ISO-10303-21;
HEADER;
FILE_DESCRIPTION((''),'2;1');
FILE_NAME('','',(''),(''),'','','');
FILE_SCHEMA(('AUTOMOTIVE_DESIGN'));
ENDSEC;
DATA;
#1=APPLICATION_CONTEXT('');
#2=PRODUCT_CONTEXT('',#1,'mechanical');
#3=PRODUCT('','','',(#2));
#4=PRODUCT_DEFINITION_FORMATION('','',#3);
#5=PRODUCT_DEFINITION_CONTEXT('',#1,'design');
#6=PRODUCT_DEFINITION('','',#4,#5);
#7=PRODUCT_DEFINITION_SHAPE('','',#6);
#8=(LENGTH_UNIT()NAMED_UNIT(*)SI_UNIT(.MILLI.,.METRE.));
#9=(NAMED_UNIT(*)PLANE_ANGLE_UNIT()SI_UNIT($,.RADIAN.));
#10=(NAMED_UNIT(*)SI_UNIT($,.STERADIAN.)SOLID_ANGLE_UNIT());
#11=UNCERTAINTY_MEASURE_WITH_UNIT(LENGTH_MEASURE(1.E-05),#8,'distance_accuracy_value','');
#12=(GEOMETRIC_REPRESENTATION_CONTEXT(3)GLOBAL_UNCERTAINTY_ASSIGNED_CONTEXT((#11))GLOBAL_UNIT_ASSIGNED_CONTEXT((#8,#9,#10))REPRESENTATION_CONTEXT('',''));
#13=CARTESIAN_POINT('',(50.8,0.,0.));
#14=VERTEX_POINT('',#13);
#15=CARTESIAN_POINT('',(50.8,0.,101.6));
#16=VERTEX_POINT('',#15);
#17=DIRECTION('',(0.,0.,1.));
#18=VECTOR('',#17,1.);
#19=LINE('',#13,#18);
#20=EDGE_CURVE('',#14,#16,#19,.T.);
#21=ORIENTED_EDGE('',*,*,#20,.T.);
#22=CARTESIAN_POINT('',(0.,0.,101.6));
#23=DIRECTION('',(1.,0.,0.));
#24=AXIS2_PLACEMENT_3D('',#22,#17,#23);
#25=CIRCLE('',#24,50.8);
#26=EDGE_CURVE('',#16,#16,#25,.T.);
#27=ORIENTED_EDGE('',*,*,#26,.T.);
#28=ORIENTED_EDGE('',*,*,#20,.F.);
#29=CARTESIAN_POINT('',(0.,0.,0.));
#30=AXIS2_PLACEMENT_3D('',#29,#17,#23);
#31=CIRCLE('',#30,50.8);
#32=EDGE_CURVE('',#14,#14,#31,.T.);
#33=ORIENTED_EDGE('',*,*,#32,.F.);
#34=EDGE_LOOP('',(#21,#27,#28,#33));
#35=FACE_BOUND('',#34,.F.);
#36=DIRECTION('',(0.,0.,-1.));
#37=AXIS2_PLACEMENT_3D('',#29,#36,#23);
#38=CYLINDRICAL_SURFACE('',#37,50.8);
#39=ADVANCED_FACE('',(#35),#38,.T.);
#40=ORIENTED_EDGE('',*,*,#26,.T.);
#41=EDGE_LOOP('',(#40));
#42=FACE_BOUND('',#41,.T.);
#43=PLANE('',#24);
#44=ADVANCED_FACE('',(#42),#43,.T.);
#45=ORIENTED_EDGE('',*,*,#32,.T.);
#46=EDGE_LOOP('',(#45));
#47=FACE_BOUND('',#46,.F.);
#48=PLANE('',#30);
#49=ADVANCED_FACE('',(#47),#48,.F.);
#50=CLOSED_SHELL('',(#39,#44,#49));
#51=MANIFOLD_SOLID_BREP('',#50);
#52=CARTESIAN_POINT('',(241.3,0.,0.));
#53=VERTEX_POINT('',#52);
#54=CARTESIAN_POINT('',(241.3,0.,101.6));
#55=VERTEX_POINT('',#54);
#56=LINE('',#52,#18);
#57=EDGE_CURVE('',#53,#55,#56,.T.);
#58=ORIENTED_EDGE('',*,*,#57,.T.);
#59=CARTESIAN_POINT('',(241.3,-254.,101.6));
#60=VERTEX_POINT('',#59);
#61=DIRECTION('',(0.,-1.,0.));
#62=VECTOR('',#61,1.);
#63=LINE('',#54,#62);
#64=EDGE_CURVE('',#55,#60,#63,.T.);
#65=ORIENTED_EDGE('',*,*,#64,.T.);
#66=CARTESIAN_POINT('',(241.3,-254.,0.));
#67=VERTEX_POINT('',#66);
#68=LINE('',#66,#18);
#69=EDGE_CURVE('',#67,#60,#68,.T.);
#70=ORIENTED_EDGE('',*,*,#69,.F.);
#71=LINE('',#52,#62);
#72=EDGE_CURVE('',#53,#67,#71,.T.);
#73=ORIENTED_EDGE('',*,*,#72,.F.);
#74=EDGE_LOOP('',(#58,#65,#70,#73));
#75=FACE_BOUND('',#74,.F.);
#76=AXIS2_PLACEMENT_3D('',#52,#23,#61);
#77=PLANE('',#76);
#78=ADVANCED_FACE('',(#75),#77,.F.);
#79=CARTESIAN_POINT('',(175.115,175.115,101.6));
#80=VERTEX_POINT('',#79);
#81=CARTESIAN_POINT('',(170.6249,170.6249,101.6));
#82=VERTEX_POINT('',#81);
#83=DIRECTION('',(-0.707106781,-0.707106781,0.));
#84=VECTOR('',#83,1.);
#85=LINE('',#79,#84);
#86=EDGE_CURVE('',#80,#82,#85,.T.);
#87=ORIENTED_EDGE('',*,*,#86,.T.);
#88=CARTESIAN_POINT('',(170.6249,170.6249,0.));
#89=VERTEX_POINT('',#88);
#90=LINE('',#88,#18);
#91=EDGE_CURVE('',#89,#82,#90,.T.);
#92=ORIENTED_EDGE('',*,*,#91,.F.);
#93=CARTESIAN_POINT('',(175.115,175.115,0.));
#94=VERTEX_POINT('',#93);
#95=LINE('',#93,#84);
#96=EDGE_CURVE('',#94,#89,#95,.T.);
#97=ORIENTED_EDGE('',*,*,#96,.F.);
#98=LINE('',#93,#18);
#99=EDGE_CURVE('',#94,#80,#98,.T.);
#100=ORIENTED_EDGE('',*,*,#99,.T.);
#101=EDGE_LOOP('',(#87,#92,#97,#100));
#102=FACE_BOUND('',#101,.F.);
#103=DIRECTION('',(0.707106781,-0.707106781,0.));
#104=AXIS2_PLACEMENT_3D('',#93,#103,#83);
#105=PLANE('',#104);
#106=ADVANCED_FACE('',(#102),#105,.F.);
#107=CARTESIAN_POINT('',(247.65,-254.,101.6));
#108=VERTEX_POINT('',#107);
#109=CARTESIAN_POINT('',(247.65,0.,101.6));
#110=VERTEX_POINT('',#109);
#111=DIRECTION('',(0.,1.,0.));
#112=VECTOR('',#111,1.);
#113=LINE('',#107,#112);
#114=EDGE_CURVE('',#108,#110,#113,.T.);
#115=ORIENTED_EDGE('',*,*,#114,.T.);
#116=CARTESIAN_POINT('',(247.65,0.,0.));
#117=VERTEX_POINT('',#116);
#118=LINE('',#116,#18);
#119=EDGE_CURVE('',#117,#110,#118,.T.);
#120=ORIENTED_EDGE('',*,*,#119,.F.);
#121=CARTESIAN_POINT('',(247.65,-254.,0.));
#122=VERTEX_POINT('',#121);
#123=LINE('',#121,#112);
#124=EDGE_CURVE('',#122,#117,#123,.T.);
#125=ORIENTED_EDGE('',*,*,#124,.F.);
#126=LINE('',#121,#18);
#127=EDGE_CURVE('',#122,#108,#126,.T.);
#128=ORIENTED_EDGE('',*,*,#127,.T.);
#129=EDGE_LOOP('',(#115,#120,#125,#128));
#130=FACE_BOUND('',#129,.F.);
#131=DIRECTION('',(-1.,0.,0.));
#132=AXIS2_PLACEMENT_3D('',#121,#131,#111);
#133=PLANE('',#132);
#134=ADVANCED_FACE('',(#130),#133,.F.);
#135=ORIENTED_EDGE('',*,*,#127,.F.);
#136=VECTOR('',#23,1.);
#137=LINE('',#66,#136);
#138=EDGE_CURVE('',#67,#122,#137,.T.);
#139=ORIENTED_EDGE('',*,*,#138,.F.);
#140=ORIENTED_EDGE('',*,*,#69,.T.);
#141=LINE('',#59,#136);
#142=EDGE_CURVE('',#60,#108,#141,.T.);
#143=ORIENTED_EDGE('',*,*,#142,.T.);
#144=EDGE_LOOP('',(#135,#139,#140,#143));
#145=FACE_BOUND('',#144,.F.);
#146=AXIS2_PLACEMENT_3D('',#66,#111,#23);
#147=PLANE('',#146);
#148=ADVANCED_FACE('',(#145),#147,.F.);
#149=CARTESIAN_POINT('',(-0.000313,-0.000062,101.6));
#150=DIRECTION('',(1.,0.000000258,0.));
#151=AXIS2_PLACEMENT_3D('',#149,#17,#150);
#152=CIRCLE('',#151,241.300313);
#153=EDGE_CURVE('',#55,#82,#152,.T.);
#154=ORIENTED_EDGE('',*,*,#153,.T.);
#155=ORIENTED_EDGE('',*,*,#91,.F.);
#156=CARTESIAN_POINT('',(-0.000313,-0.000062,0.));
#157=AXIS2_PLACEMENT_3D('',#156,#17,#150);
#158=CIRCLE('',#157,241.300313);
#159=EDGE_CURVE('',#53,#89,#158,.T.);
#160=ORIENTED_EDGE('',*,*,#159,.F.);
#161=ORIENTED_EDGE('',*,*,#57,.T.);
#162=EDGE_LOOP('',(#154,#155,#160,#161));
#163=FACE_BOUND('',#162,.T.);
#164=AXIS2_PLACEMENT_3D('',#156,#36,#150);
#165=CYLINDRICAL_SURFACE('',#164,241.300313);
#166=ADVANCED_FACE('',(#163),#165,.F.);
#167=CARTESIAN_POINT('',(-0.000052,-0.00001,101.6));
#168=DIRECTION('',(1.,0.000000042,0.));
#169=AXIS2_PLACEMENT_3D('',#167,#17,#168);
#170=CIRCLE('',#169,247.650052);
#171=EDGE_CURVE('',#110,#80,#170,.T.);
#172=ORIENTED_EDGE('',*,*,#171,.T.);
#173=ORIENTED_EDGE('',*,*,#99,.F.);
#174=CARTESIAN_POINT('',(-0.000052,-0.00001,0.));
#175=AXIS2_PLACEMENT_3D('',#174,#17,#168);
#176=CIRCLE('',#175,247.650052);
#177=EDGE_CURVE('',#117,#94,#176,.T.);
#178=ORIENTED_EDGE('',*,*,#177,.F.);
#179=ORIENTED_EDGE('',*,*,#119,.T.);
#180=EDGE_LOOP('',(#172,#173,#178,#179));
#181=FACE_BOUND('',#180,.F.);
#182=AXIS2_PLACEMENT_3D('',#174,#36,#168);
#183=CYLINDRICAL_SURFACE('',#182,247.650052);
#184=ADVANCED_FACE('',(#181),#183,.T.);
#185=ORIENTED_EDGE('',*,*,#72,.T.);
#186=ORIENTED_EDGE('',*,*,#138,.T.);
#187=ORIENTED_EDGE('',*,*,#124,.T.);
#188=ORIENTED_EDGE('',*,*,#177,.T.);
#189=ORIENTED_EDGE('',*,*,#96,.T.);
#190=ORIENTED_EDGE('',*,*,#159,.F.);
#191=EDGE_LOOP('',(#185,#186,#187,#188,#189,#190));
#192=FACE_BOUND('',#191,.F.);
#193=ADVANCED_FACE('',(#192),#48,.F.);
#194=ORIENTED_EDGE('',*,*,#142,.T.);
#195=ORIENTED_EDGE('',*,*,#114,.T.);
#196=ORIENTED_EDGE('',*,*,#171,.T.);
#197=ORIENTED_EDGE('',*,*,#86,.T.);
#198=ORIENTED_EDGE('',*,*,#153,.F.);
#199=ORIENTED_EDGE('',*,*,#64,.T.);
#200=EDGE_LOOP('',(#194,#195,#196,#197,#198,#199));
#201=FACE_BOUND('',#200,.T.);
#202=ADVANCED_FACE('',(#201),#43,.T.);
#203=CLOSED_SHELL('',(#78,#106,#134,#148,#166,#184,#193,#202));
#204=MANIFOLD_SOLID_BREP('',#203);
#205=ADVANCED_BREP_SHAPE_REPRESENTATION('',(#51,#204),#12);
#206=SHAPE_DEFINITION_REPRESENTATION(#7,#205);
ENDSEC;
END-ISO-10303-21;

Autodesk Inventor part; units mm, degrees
ref_plane "YZ Plane" through (0, 0, 0) normal (1, 0, 0) x (0, 1, 0)
ref_plane "XZ Plane" through (0, 0, 0) normal (0, 1, 0) x (-1, 0, 0)
ref_plane "XY Plane" through (0, 0, 0) normal (0, 0, 1) x (1, 0, 0)
sketch "Sketch1" plane through (0, 0, 0) normal (0, 0, 1) x (1, 0, 0)
  arc A0 (241.3, 0) -> (170.6249, 170.6249) centre (0, 0) ccw
  arc A1 (247.65, 0) -> (175.115, 175.115) centre (0, 0) ccw
  line L0 (175.115, 175.115) -> (170.6249, 170.6249)
  line L1 (170.6249, 170.6249) -> (0, 0) construction
  circle A2 centre (0, 0) radius 50.8
  line L2 (241.3, 0) -> (241.3, -254)
  line L3 (241.3, -254) -> (247.65, -254)
  line L4 (247.65, -254) -> (247.65, 0)
  line L5 (241.3, 0) -> (247.65, 0) construction
  dimension "d0" = 241.3
  dimension "d1" = 247.65
  dimension "d3" = 101.6
  dimension "d4" = 254
  dimension "d5" = 45
extrude "Extrusion1" add sketch "Sketch1" along normal blind 101.6
properties part number "ShooterWheelrConcept"
